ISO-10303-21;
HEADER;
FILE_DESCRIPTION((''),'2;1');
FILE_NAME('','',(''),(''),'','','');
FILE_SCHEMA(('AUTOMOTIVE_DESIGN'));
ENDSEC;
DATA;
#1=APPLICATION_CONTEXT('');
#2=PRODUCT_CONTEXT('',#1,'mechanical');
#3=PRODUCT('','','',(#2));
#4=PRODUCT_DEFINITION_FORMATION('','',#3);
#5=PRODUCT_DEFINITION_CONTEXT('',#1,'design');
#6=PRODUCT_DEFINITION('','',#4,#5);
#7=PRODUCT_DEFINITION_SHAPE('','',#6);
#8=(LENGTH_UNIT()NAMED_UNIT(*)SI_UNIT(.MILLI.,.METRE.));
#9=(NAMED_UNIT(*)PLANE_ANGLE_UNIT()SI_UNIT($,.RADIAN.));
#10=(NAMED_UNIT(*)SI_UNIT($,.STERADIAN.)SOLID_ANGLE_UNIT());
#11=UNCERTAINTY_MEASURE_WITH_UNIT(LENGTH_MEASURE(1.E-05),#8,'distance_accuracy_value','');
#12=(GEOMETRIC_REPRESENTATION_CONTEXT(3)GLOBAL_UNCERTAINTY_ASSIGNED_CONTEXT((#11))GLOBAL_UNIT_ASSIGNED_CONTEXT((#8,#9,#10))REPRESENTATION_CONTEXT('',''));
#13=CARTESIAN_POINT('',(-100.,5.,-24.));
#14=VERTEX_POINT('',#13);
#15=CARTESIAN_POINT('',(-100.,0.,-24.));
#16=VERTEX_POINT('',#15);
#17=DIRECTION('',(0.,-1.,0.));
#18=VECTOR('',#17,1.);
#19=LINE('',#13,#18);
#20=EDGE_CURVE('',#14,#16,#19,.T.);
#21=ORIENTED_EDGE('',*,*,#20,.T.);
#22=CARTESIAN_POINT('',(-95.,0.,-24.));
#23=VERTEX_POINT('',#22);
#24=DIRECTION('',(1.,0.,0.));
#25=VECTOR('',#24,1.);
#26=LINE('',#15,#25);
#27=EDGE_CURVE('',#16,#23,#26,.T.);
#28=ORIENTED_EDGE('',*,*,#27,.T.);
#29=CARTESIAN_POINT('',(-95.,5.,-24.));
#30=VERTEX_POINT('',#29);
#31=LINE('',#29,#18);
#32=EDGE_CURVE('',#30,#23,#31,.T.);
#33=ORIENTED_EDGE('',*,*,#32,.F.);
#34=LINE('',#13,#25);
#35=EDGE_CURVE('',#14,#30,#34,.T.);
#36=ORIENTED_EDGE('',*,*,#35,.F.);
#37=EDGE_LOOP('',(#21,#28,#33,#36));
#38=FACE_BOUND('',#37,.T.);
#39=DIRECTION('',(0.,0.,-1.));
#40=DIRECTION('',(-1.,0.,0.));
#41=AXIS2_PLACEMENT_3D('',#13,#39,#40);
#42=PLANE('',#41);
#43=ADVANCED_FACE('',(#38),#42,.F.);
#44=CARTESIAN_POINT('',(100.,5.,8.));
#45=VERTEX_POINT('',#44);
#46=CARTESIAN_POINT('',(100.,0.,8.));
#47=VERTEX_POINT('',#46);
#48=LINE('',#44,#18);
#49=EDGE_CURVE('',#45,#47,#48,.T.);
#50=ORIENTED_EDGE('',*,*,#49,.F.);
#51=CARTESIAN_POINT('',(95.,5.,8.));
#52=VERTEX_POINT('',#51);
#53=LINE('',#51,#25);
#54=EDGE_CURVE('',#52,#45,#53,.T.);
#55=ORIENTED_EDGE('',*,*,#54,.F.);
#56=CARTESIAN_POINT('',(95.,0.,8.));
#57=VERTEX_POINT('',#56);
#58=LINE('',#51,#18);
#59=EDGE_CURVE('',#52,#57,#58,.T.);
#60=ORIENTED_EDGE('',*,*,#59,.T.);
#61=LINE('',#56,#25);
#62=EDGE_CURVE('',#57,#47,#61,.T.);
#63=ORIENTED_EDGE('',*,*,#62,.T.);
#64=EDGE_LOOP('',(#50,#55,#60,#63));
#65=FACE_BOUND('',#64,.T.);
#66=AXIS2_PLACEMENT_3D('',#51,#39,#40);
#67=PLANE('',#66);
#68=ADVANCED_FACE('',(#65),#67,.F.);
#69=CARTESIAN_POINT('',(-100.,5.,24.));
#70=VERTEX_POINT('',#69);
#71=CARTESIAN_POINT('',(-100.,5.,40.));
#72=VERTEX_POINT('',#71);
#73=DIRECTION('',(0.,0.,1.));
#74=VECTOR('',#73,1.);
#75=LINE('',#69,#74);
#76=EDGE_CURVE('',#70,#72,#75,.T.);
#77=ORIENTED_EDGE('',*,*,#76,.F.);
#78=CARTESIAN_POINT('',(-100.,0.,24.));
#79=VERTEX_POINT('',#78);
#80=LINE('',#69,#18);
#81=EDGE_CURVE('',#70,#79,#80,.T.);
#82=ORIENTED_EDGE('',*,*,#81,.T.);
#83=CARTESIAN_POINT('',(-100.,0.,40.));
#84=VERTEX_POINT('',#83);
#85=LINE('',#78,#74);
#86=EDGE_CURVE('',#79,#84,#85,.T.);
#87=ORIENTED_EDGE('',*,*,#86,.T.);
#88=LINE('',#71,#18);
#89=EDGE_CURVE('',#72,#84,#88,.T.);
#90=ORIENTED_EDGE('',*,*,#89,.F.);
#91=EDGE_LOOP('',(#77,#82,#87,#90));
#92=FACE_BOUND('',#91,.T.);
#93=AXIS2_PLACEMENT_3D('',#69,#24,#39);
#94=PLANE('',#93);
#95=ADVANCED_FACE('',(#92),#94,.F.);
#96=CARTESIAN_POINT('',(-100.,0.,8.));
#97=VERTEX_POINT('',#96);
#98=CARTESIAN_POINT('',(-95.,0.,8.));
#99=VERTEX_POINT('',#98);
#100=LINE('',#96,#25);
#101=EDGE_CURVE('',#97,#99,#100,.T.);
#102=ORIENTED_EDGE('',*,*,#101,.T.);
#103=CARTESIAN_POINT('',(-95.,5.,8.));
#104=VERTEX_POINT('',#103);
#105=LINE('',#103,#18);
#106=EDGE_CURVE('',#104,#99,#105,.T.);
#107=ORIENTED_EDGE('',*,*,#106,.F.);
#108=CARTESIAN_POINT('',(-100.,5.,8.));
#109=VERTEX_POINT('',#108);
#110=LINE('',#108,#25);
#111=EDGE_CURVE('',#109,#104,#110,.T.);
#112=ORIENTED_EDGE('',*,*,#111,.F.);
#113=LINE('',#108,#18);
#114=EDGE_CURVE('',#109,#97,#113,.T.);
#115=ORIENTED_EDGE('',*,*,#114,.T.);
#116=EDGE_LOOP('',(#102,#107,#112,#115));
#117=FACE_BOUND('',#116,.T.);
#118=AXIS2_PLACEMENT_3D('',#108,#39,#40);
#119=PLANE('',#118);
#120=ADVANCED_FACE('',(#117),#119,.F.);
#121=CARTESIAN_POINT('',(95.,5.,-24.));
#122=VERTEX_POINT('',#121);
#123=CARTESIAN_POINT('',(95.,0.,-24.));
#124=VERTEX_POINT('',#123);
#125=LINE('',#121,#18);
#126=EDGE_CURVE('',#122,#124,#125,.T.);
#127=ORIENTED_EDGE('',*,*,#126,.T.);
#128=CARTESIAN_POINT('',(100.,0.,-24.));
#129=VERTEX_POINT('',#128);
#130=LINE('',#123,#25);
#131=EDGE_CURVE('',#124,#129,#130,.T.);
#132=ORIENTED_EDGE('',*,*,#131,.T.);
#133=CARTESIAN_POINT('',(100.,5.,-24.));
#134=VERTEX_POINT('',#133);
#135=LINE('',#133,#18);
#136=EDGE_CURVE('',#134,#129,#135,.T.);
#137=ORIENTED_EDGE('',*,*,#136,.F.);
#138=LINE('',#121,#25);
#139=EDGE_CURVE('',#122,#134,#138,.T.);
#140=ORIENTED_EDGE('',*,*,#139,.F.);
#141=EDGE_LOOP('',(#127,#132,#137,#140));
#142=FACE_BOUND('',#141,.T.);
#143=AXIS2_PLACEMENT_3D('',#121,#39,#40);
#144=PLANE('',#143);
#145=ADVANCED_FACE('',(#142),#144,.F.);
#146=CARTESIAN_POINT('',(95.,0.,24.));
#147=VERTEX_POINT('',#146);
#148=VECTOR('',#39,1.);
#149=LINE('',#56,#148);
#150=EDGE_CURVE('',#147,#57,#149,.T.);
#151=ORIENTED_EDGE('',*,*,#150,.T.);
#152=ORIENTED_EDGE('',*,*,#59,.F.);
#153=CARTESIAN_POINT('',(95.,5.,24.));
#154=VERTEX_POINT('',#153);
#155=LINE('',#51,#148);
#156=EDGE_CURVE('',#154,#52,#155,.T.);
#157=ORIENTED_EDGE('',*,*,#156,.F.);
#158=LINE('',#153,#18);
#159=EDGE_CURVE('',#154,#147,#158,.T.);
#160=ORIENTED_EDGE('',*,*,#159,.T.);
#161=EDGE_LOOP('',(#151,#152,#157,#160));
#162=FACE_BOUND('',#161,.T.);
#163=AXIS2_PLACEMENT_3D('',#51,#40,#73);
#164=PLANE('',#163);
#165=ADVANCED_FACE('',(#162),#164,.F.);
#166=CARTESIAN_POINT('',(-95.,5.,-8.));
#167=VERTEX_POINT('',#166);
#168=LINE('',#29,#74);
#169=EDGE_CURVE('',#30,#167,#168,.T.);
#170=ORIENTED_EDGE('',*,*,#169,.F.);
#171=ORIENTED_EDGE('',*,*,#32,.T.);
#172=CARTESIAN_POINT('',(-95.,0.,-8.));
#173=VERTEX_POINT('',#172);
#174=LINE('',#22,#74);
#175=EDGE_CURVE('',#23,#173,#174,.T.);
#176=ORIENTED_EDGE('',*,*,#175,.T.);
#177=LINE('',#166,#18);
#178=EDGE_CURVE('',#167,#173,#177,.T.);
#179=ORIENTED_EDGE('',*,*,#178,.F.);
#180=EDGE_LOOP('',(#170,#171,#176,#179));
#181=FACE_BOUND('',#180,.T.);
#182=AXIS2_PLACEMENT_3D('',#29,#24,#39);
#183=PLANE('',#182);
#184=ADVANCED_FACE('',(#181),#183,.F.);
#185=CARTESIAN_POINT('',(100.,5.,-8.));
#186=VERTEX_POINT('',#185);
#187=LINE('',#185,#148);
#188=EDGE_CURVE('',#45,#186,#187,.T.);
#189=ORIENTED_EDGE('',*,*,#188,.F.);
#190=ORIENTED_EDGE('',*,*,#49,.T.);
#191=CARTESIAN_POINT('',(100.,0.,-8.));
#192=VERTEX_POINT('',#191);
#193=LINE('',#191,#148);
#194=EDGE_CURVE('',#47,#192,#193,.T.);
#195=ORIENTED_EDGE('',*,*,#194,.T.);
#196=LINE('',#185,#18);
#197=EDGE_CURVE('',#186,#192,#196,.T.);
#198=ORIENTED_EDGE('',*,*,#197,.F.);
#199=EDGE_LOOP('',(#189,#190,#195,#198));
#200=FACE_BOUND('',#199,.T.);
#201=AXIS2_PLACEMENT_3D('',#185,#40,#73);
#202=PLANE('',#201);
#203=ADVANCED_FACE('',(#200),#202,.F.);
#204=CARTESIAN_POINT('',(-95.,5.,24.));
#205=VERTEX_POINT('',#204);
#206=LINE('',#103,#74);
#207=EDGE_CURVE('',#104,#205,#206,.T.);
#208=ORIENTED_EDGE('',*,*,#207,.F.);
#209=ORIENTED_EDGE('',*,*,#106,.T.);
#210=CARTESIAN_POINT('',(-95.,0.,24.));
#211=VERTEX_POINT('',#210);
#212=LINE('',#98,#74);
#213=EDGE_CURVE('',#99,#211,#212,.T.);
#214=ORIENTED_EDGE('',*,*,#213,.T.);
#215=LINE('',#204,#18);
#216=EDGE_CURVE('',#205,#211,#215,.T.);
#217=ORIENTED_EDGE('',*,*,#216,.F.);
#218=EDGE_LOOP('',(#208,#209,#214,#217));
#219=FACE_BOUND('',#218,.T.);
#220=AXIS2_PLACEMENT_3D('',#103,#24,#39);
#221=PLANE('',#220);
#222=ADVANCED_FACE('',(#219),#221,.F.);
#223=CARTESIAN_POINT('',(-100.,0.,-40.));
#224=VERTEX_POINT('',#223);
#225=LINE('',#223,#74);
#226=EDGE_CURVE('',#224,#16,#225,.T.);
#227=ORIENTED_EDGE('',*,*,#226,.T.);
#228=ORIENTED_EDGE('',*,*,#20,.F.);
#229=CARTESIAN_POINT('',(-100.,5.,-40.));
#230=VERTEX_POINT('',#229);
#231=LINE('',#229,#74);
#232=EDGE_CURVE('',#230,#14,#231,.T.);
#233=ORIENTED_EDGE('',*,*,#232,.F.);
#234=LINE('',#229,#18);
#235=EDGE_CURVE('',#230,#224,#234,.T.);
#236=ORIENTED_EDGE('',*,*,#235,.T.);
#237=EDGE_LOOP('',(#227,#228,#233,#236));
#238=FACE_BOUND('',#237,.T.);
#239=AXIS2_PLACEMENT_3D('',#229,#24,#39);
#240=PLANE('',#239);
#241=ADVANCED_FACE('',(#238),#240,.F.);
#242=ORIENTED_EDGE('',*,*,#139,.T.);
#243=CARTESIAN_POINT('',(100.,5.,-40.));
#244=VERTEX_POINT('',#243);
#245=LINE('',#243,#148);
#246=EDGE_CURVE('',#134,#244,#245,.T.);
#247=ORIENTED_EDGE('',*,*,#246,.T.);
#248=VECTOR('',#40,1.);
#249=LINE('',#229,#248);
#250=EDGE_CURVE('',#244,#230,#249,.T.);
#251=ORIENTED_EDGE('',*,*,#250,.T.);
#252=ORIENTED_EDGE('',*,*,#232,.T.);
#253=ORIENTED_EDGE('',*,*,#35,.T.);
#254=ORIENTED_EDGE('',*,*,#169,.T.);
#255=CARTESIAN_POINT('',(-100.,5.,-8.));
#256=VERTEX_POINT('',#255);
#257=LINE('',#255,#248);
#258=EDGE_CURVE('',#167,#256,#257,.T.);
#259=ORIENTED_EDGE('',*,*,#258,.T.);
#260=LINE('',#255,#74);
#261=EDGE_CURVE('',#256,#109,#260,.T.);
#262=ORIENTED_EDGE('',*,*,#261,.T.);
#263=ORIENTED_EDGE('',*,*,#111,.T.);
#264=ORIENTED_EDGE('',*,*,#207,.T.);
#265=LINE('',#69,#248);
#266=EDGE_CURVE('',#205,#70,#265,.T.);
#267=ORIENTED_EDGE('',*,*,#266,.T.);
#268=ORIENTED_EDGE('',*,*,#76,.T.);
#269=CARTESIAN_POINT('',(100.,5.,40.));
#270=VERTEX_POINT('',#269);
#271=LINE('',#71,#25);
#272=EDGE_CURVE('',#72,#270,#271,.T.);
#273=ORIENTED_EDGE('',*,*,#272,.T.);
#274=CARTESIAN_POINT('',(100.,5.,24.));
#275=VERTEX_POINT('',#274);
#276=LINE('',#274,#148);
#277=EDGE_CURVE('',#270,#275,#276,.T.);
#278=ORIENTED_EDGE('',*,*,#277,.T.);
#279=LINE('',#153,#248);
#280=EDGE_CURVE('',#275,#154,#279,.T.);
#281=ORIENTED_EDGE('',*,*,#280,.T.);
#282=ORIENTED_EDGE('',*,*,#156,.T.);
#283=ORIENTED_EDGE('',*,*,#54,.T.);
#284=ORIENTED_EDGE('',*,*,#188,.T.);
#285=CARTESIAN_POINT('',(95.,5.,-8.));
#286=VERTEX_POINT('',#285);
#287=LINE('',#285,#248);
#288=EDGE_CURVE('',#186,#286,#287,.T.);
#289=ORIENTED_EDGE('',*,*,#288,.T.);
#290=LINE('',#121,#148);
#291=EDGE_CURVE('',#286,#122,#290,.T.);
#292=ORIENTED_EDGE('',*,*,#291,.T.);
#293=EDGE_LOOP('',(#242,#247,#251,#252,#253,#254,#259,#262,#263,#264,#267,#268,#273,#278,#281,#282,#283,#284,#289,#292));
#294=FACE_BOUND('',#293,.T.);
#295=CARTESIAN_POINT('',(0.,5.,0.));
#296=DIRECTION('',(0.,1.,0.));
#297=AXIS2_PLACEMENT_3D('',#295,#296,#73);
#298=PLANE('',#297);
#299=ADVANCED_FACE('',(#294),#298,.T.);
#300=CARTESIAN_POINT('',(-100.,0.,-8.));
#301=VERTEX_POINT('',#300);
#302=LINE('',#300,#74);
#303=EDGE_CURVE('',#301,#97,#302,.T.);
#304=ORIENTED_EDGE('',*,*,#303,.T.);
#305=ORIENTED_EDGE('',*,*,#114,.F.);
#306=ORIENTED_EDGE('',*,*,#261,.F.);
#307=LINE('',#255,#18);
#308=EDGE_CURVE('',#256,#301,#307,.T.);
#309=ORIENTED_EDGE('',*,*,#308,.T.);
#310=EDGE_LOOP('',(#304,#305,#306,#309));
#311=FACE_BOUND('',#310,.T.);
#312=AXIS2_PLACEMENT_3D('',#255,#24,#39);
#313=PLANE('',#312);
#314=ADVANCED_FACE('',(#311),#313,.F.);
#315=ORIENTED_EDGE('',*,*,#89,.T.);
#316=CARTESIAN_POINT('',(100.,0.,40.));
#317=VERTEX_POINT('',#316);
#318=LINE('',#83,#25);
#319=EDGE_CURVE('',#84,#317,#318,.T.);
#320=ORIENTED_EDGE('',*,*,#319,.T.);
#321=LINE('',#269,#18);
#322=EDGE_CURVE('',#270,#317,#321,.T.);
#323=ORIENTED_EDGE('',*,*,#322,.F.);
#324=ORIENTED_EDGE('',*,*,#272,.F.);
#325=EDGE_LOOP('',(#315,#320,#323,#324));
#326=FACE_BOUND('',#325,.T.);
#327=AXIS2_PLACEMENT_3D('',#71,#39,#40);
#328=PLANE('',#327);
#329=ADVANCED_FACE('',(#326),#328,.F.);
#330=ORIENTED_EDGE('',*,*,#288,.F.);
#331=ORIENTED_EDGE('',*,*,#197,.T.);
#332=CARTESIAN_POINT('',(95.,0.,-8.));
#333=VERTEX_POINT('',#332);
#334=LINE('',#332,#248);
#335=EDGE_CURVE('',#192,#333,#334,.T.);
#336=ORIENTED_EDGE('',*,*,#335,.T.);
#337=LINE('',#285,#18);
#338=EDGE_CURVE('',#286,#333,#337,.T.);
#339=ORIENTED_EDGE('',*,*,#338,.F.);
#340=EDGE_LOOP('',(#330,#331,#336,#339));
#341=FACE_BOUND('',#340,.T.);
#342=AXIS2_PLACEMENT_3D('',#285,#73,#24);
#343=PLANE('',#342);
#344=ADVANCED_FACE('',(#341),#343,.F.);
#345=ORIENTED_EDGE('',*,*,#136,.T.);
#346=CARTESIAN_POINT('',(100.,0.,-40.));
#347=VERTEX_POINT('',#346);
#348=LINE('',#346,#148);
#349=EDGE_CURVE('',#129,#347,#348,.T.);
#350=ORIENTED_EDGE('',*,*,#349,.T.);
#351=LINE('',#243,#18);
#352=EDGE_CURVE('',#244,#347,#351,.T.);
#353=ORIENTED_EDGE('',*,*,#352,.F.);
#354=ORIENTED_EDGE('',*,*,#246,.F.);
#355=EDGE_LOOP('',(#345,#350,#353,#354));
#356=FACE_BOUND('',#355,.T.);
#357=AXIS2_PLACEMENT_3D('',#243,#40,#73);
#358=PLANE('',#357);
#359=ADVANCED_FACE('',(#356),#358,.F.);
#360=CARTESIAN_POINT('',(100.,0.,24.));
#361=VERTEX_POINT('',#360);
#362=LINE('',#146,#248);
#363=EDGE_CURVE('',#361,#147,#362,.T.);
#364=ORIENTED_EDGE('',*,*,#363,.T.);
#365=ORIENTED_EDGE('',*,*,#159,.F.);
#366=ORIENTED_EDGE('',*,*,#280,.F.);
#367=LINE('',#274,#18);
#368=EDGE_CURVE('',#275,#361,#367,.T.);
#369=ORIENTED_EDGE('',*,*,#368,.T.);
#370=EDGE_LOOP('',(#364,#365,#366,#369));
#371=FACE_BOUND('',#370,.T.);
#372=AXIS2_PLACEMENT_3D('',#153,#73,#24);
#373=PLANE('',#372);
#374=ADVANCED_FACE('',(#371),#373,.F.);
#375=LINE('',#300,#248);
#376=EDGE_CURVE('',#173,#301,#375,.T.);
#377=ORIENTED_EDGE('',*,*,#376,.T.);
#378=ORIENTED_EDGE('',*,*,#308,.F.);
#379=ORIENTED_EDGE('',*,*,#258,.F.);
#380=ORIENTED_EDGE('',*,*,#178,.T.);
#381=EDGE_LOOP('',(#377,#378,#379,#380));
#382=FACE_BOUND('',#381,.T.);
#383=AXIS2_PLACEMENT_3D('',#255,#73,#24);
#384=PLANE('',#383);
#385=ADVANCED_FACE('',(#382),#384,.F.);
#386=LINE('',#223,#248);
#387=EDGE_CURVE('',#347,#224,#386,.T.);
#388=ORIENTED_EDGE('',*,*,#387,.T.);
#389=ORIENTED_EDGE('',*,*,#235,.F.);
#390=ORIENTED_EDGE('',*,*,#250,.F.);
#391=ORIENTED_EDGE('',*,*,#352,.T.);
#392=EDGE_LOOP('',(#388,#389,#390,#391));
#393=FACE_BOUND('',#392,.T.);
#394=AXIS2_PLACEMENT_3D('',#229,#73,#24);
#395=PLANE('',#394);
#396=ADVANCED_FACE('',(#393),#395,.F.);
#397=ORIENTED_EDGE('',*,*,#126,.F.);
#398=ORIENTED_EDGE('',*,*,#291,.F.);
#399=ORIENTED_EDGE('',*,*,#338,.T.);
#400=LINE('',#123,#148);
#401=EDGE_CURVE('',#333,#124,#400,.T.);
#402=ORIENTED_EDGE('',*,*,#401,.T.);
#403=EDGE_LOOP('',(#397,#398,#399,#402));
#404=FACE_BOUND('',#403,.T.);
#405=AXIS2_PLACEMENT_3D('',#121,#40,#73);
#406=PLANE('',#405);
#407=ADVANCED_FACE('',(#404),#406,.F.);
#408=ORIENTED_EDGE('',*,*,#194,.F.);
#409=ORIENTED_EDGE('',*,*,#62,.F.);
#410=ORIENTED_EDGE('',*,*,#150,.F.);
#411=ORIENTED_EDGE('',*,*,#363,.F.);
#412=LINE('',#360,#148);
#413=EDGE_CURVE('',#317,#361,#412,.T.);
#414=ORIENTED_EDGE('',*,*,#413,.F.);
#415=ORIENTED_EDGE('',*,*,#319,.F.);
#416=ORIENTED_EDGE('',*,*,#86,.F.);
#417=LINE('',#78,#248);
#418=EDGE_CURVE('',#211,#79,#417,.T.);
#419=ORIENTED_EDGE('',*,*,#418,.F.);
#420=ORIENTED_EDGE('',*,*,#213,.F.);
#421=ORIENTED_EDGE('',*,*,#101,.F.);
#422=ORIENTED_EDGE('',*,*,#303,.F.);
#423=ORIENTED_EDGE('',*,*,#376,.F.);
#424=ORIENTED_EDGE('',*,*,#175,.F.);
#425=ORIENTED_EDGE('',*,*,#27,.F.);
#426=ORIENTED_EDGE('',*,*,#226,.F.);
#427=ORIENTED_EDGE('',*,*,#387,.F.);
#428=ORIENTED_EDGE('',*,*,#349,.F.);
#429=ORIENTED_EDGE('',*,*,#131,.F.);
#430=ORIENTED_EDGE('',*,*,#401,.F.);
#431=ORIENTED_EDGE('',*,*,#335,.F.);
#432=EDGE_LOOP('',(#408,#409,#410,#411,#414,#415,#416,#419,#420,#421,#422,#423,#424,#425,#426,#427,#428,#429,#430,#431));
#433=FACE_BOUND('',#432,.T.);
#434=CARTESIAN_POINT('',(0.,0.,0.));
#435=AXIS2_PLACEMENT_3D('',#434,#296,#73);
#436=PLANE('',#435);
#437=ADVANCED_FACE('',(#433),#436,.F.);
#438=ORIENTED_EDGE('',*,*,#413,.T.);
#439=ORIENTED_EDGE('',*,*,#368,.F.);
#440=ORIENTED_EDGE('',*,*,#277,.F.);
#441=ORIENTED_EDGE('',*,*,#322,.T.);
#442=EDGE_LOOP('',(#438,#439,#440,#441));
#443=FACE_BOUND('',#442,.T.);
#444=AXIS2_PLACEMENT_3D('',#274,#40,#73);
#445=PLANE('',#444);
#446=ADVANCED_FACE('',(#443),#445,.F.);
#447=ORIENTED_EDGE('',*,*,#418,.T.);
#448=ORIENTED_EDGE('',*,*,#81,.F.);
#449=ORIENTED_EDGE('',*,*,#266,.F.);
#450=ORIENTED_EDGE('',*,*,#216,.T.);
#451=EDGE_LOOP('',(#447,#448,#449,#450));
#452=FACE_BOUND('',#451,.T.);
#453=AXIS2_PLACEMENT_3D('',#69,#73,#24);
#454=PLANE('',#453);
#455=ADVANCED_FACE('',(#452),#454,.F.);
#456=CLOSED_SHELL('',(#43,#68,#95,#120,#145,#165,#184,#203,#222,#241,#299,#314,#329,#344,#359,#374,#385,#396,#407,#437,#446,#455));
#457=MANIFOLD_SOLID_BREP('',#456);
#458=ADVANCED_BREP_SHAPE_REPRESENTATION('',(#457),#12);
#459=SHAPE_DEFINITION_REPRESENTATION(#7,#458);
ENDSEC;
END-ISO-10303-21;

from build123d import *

# Parameters (mm, degrees)
BOSS_EXTRUDE1_DEPTH = 5


with BuildPart() as part:
    # Sketch1 → Boss-Extrude1 (new body)
    with BuildSketch(Plane(origin=(0, 0, 0), x_dir=(1, 0, 0), z_dir=(0, 1, 0))):
        Polygon((-95, 24), (-95, 8), (-100, 8), (-100, -8), (-95, -8), (-95, -24), (-100, -24), (-100, -40), (100, -40), (100, -24), (95, -24), (95, -8), (100, -8), (100, 8), (95, 8), (95, 24), (100, 24), (100, 40), (-100, 40), (-100, 24), align=None)
    extrude(amount=BOSS_EXTRUDE1_DEPTH)


solid = part.part
